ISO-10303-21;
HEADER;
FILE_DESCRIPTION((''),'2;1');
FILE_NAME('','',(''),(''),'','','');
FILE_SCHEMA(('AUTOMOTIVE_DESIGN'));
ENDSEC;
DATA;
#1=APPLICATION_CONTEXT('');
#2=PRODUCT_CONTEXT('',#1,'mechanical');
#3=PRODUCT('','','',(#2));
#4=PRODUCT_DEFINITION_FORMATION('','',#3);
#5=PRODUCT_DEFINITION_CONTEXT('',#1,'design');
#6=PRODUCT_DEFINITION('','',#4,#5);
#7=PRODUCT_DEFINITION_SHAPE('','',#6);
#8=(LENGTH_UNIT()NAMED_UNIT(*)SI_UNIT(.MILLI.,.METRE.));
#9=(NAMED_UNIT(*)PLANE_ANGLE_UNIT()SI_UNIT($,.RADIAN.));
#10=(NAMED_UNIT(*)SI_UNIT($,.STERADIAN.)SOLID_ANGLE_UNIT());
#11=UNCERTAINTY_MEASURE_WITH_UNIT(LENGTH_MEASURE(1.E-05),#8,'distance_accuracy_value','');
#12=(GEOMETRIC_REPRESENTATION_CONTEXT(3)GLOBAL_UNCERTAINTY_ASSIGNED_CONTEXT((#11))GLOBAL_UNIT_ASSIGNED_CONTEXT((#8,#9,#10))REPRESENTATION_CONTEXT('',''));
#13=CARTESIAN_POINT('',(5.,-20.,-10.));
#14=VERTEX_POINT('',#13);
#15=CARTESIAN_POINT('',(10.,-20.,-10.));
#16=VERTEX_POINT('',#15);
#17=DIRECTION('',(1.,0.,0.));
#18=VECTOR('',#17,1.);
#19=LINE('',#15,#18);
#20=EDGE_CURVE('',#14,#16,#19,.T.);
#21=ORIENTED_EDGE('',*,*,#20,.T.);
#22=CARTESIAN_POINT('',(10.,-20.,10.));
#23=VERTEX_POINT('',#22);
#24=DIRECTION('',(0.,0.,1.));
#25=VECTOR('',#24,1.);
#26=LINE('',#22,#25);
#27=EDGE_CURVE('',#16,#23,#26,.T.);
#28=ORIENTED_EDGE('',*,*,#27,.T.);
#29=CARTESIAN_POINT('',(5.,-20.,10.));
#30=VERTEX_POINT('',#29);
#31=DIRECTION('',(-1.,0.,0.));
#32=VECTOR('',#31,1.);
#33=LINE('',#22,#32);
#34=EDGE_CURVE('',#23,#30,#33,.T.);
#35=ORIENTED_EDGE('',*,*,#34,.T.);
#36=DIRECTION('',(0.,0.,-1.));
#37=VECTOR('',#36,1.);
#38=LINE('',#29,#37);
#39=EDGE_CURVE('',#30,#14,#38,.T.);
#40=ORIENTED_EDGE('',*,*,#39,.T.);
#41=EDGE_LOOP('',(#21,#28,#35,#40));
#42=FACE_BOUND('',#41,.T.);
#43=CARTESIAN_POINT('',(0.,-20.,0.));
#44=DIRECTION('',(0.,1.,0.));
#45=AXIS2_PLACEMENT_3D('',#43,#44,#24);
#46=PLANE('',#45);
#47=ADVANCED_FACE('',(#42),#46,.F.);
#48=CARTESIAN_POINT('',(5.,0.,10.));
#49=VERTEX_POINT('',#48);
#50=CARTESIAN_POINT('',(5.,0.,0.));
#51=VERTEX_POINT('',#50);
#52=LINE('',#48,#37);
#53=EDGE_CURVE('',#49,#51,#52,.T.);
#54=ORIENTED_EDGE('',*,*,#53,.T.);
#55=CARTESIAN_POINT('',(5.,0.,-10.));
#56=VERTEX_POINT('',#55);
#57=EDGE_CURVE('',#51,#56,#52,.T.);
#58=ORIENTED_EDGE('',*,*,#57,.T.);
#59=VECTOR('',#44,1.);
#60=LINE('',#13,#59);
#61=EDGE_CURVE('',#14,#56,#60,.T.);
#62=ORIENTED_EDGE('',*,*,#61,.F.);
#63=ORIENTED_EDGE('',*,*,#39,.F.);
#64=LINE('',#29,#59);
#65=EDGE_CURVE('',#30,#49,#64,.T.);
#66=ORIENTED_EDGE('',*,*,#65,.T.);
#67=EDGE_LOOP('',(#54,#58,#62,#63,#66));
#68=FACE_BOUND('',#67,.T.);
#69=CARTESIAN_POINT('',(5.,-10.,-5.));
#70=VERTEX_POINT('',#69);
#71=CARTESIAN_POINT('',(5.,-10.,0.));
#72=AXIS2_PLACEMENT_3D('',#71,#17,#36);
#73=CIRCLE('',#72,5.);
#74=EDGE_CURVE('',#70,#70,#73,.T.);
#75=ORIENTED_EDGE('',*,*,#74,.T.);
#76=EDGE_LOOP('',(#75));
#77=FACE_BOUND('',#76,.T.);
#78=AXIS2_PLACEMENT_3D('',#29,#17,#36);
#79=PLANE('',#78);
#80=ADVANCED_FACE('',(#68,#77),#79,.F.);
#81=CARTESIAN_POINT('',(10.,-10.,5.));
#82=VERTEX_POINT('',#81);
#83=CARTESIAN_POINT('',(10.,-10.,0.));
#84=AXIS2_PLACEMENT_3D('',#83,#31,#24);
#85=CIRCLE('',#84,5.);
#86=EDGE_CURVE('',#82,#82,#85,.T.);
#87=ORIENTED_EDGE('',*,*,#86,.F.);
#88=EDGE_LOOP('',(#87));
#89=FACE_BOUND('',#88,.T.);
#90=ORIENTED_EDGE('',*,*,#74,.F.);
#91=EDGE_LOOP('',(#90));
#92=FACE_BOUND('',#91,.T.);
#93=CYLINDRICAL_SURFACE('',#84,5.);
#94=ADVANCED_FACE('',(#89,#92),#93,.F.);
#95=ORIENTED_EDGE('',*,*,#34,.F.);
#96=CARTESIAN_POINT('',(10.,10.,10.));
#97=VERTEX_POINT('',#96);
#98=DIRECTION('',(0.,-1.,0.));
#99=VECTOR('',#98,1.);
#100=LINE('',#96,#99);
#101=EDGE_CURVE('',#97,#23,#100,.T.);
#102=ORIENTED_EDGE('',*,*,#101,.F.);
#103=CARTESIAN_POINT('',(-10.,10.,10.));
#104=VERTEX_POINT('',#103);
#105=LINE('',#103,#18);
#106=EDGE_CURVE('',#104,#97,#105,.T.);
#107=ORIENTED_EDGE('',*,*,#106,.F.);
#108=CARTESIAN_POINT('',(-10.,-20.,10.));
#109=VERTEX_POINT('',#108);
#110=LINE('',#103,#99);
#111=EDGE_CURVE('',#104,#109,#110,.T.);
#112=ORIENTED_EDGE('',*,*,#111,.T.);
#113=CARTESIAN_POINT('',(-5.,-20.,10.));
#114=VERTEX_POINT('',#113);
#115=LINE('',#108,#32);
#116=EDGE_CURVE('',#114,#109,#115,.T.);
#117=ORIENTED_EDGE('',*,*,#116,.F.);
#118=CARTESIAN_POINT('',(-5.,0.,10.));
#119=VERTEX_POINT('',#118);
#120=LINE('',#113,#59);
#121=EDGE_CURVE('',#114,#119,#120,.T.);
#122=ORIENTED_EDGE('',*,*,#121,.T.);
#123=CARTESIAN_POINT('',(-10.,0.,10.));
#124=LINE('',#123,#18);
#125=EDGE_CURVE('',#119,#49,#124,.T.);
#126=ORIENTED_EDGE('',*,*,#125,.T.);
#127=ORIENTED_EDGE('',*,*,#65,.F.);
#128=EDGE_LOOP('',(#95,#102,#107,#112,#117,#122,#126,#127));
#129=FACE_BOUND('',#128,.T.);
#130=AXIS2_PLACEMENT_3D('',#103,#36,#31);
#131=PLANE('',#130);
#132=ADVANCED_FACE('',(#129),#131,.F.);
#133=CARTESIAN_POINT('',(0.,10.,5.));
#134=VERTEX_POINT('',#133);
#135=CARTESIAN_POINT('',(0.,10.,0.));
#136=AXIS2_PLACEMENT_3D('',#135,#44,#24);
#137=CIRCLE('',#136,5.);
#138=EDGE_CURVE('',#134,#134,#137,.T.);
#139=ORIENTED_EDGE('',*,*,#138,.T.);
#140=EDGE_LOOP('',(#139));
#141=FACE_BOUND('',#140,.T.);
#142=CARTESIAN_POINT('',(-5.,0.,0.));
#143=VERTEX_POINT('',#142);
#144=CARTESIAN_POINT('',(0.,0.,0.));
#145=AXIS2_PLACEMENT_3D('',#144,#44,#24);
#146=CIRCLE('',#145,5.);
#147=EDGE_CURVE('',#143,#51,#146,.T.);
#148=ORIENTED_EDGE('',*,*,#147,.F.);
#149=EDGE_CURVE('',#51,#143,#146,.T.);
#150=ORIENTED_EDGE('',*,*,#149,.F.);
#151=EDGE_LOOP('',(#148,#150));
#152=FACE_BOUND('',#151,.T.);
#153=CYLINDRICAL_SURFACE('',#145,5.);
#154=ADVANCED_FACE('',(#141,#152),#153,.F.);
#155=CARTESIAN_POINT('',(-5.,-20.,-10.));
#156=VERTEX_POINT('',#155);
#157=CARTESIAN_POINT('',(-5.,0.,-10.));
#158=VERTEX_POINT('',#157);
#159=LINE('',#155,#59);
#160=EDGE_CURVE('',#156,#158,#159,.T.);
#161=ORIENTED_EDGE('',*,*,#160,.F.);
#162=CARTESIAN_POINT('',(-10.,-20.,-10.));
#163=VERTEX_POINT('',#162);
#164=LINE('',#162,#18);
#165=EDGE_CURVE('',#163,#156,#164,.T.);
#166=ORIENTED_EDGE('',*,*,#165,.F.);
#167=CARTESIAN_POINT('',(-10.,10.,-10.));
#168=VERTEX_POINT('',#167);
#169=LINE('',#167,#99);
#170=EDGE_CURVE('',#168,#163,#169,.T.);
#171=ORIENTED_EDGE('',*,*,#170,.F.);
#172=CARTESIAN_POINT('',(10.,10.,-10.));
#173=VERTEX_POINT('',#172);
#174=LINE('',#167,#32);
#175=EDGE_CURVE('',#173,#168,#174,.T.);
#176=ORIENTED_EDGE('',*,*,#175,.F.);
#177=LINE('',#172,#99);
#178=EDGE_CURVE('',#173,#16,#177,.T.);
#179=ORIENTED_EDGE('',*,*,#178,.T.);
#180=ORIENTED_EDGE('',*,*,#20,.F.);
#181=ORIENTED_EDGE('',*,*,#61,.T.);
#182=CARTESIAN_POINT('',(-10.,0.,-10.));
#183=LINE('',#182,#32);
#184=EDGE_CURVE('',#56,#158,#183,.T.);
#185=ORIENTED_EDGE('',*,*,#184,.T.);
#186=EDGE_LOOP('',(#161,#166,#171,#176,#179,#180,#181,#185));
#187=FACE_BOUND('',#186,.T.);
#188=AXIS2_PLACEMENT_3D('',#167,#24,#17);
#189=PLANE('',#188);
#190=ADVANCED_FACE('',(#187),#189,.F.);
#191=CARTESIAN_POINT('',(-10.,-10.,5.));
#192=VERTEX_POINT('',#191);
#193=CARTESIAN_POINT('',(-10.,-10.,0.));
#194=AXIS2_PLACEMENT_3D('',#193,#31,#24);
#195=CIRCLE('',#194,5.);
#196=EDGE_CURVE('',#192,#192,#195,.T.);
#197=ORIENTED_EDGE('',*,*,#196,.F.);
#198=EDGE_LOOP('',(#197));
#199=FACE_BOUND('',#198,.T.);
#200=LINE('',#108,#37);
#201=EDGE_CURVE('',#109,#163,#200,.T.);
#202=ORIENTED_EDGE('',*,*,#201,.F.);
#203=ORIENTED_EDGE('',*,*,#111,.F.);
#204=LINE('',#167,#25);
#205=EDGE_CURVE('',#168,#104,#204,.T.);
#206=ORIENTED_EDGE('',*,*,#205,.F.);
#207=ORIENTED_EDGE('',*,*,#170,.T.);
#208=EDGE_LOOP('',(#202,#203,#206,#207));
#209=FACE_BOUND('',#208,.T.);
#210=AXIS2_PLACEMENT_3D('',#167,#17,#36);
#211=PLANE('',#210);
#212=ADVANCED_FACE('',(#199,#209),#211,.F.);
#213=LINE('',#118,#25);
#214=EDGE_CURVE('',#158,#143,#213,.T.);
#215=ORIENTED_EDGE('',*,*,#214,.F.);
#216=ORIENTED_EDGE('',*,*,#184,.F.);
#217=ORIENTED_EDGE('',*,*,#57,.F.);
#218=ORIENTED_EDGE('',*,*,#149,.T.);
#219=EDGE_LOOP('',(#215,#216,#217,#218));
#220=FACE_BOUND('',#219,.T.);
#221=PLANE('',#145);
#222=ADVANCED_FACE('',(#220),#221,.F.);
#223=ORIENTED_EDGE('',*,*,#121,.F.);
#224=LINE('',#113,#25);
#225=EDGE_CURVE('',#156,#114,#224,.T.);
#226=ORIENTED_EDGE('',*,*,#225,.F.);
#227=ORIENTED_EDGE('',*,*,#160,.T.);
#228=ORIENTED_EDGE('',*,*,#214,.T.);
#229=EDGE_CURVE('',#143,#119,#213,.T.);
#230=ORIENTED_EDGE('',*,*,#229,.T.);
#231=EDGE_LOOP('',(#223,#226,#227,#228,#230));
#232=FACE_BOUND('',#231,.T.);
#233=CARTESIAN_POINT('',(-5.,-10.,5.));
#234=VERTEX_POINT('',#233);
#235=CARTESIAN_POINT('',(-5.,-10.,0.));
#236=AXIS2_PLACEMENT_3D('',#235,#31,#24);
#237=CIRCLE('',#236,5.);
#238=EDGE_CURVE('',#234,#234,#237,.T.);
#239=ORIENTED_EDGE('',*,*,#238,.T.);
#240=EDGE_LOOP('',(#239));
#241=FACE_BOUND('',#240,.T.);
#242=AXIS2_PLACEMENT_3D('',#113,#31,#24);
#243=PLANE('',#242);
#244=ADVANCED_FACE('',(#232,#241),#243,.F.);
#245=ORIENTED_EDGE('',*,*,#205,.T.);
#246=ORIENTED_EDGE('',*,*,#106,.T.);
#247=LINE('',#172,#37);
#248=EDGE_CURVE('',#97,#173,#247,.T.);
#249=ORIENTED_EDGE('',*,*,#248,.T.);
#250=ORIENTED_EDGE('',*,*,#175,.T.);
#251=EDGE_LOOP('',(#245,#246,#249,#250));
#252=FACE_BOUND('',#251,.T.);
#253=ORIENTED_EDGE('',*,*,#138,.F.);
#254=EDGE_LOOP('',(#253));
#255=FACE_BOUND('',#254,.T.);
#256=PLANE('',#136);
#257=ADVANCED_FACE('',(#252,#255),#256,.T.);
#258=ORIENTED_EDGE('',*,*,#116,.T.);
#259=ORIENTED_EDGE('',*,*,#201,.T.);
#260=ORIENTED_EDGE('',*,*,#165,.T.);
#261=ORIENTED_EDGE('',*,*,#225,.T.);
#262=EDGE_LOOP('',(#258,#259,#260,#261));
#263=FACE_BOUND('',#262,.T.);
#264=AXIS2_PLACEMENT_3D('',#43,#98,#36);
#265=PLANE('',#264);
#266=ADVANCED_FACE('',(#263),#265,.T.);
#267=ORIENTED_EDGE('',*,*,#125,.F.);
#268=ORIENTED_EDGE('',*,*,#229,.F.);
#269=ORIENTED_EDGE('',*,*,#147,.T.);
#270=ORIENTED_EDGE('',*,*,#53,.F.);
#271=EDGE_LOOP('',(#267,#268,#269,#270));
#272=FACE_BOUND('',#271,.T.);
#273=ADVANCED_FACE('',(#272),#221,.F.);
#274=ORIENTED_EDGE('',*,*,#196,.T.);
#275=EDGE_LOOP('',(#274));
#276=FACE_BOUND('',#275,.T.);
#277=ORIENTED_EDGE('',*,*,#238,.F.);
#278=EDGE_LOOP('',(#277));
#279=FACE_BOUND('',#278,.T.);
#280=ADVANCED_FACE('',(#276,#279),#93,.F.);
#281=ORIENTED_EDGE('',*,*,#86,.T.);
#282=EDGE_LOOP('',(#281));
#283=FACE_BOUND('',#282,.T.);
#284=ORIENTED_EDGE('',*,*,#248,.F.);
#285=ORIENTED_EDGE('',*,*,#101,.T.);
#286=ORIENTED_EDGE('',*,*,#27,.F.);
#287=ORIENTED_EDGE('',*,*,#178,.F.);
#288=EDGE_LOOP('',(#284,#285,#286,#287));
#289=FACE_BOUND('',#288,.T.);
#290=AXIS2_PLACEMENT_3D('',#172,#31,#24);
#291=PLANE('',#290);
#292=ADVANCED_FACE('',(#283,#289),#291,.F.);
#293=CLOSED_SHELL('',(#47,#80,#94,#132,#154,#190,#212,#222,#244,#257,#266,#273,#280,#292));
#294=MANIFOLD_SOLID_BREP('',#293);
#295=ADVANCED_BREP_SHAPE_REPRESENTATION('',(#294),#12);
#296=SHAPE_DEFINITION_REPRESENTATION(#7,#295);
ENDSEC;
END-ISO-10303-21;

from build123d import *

# Parameters (mm, degrees)
SKETCH_1_W          = 20
SKETCH_1_H          = 20
EXTRUDE_1_DEPTH     = 10
SKETCH_2_R          = 5
CUT_EXTRUDE_2_DEPTH = 18.320508076
SKETCH_3_W          = 5
SKETCH_3_H          = 20
EXTRUDE_2_DEPTH     = 20
SKETCH_4_R          = 5
CUT_EXTRUDE_3_DEPTH = 31


with BuildPart() as part:
    # 草图1 → 凸台-拉伸1 (new body)
    with BuildSketch(Plane(origin=(0, 0, 0), x_dir=(1, 0, 0), z_dir=(0, 1, 0))):
        Rectangle(SKETCH_1_W, SKETCH_1_H)
    extrude(amount=EXTRUDE_1_DEPTH)

    # 草图2 → 切除-拉伸2 (cut, through all)
    with BuildSketch(Plane(origin=(0, 10, 0), x_dir=(1, 0, 0), z_dir=(0, 1, 0))):
        with Locations(Location((0, 0, 0), (0, 0, 270))):
            Circle(SKETCH_2_R)
    extrude(amount=-CUT_EXTRUDE_2_DEPTH, mode=Mode.SUBTRACT)

    # 草图3 → 凸台-拉伸2 (add)
    with BuildSketch(Plane.XZ):
        with Locations((-7.5, 0)):
            Rectangle(SKETCH_3_W, SKETCH_3_H)
        with Locations((7.5, 0)):
            Rectangle(SKETCH_3_W, SKETCH_3_H)
    extrude(amount=EXTRUDE_2_DEPTH)

    # 草图4 → 切除-拉伸3 (cut, through all)
    with BuildSketch(Plane.ZY.offset(10)):
        with Locations((0, -10)):
            Circle(SKETCH_4_R)
    extrude(amount=-CUT_EXTRUDE_3_DEPTH, mode=Mode.SUBTRACT)


solid = part.part
